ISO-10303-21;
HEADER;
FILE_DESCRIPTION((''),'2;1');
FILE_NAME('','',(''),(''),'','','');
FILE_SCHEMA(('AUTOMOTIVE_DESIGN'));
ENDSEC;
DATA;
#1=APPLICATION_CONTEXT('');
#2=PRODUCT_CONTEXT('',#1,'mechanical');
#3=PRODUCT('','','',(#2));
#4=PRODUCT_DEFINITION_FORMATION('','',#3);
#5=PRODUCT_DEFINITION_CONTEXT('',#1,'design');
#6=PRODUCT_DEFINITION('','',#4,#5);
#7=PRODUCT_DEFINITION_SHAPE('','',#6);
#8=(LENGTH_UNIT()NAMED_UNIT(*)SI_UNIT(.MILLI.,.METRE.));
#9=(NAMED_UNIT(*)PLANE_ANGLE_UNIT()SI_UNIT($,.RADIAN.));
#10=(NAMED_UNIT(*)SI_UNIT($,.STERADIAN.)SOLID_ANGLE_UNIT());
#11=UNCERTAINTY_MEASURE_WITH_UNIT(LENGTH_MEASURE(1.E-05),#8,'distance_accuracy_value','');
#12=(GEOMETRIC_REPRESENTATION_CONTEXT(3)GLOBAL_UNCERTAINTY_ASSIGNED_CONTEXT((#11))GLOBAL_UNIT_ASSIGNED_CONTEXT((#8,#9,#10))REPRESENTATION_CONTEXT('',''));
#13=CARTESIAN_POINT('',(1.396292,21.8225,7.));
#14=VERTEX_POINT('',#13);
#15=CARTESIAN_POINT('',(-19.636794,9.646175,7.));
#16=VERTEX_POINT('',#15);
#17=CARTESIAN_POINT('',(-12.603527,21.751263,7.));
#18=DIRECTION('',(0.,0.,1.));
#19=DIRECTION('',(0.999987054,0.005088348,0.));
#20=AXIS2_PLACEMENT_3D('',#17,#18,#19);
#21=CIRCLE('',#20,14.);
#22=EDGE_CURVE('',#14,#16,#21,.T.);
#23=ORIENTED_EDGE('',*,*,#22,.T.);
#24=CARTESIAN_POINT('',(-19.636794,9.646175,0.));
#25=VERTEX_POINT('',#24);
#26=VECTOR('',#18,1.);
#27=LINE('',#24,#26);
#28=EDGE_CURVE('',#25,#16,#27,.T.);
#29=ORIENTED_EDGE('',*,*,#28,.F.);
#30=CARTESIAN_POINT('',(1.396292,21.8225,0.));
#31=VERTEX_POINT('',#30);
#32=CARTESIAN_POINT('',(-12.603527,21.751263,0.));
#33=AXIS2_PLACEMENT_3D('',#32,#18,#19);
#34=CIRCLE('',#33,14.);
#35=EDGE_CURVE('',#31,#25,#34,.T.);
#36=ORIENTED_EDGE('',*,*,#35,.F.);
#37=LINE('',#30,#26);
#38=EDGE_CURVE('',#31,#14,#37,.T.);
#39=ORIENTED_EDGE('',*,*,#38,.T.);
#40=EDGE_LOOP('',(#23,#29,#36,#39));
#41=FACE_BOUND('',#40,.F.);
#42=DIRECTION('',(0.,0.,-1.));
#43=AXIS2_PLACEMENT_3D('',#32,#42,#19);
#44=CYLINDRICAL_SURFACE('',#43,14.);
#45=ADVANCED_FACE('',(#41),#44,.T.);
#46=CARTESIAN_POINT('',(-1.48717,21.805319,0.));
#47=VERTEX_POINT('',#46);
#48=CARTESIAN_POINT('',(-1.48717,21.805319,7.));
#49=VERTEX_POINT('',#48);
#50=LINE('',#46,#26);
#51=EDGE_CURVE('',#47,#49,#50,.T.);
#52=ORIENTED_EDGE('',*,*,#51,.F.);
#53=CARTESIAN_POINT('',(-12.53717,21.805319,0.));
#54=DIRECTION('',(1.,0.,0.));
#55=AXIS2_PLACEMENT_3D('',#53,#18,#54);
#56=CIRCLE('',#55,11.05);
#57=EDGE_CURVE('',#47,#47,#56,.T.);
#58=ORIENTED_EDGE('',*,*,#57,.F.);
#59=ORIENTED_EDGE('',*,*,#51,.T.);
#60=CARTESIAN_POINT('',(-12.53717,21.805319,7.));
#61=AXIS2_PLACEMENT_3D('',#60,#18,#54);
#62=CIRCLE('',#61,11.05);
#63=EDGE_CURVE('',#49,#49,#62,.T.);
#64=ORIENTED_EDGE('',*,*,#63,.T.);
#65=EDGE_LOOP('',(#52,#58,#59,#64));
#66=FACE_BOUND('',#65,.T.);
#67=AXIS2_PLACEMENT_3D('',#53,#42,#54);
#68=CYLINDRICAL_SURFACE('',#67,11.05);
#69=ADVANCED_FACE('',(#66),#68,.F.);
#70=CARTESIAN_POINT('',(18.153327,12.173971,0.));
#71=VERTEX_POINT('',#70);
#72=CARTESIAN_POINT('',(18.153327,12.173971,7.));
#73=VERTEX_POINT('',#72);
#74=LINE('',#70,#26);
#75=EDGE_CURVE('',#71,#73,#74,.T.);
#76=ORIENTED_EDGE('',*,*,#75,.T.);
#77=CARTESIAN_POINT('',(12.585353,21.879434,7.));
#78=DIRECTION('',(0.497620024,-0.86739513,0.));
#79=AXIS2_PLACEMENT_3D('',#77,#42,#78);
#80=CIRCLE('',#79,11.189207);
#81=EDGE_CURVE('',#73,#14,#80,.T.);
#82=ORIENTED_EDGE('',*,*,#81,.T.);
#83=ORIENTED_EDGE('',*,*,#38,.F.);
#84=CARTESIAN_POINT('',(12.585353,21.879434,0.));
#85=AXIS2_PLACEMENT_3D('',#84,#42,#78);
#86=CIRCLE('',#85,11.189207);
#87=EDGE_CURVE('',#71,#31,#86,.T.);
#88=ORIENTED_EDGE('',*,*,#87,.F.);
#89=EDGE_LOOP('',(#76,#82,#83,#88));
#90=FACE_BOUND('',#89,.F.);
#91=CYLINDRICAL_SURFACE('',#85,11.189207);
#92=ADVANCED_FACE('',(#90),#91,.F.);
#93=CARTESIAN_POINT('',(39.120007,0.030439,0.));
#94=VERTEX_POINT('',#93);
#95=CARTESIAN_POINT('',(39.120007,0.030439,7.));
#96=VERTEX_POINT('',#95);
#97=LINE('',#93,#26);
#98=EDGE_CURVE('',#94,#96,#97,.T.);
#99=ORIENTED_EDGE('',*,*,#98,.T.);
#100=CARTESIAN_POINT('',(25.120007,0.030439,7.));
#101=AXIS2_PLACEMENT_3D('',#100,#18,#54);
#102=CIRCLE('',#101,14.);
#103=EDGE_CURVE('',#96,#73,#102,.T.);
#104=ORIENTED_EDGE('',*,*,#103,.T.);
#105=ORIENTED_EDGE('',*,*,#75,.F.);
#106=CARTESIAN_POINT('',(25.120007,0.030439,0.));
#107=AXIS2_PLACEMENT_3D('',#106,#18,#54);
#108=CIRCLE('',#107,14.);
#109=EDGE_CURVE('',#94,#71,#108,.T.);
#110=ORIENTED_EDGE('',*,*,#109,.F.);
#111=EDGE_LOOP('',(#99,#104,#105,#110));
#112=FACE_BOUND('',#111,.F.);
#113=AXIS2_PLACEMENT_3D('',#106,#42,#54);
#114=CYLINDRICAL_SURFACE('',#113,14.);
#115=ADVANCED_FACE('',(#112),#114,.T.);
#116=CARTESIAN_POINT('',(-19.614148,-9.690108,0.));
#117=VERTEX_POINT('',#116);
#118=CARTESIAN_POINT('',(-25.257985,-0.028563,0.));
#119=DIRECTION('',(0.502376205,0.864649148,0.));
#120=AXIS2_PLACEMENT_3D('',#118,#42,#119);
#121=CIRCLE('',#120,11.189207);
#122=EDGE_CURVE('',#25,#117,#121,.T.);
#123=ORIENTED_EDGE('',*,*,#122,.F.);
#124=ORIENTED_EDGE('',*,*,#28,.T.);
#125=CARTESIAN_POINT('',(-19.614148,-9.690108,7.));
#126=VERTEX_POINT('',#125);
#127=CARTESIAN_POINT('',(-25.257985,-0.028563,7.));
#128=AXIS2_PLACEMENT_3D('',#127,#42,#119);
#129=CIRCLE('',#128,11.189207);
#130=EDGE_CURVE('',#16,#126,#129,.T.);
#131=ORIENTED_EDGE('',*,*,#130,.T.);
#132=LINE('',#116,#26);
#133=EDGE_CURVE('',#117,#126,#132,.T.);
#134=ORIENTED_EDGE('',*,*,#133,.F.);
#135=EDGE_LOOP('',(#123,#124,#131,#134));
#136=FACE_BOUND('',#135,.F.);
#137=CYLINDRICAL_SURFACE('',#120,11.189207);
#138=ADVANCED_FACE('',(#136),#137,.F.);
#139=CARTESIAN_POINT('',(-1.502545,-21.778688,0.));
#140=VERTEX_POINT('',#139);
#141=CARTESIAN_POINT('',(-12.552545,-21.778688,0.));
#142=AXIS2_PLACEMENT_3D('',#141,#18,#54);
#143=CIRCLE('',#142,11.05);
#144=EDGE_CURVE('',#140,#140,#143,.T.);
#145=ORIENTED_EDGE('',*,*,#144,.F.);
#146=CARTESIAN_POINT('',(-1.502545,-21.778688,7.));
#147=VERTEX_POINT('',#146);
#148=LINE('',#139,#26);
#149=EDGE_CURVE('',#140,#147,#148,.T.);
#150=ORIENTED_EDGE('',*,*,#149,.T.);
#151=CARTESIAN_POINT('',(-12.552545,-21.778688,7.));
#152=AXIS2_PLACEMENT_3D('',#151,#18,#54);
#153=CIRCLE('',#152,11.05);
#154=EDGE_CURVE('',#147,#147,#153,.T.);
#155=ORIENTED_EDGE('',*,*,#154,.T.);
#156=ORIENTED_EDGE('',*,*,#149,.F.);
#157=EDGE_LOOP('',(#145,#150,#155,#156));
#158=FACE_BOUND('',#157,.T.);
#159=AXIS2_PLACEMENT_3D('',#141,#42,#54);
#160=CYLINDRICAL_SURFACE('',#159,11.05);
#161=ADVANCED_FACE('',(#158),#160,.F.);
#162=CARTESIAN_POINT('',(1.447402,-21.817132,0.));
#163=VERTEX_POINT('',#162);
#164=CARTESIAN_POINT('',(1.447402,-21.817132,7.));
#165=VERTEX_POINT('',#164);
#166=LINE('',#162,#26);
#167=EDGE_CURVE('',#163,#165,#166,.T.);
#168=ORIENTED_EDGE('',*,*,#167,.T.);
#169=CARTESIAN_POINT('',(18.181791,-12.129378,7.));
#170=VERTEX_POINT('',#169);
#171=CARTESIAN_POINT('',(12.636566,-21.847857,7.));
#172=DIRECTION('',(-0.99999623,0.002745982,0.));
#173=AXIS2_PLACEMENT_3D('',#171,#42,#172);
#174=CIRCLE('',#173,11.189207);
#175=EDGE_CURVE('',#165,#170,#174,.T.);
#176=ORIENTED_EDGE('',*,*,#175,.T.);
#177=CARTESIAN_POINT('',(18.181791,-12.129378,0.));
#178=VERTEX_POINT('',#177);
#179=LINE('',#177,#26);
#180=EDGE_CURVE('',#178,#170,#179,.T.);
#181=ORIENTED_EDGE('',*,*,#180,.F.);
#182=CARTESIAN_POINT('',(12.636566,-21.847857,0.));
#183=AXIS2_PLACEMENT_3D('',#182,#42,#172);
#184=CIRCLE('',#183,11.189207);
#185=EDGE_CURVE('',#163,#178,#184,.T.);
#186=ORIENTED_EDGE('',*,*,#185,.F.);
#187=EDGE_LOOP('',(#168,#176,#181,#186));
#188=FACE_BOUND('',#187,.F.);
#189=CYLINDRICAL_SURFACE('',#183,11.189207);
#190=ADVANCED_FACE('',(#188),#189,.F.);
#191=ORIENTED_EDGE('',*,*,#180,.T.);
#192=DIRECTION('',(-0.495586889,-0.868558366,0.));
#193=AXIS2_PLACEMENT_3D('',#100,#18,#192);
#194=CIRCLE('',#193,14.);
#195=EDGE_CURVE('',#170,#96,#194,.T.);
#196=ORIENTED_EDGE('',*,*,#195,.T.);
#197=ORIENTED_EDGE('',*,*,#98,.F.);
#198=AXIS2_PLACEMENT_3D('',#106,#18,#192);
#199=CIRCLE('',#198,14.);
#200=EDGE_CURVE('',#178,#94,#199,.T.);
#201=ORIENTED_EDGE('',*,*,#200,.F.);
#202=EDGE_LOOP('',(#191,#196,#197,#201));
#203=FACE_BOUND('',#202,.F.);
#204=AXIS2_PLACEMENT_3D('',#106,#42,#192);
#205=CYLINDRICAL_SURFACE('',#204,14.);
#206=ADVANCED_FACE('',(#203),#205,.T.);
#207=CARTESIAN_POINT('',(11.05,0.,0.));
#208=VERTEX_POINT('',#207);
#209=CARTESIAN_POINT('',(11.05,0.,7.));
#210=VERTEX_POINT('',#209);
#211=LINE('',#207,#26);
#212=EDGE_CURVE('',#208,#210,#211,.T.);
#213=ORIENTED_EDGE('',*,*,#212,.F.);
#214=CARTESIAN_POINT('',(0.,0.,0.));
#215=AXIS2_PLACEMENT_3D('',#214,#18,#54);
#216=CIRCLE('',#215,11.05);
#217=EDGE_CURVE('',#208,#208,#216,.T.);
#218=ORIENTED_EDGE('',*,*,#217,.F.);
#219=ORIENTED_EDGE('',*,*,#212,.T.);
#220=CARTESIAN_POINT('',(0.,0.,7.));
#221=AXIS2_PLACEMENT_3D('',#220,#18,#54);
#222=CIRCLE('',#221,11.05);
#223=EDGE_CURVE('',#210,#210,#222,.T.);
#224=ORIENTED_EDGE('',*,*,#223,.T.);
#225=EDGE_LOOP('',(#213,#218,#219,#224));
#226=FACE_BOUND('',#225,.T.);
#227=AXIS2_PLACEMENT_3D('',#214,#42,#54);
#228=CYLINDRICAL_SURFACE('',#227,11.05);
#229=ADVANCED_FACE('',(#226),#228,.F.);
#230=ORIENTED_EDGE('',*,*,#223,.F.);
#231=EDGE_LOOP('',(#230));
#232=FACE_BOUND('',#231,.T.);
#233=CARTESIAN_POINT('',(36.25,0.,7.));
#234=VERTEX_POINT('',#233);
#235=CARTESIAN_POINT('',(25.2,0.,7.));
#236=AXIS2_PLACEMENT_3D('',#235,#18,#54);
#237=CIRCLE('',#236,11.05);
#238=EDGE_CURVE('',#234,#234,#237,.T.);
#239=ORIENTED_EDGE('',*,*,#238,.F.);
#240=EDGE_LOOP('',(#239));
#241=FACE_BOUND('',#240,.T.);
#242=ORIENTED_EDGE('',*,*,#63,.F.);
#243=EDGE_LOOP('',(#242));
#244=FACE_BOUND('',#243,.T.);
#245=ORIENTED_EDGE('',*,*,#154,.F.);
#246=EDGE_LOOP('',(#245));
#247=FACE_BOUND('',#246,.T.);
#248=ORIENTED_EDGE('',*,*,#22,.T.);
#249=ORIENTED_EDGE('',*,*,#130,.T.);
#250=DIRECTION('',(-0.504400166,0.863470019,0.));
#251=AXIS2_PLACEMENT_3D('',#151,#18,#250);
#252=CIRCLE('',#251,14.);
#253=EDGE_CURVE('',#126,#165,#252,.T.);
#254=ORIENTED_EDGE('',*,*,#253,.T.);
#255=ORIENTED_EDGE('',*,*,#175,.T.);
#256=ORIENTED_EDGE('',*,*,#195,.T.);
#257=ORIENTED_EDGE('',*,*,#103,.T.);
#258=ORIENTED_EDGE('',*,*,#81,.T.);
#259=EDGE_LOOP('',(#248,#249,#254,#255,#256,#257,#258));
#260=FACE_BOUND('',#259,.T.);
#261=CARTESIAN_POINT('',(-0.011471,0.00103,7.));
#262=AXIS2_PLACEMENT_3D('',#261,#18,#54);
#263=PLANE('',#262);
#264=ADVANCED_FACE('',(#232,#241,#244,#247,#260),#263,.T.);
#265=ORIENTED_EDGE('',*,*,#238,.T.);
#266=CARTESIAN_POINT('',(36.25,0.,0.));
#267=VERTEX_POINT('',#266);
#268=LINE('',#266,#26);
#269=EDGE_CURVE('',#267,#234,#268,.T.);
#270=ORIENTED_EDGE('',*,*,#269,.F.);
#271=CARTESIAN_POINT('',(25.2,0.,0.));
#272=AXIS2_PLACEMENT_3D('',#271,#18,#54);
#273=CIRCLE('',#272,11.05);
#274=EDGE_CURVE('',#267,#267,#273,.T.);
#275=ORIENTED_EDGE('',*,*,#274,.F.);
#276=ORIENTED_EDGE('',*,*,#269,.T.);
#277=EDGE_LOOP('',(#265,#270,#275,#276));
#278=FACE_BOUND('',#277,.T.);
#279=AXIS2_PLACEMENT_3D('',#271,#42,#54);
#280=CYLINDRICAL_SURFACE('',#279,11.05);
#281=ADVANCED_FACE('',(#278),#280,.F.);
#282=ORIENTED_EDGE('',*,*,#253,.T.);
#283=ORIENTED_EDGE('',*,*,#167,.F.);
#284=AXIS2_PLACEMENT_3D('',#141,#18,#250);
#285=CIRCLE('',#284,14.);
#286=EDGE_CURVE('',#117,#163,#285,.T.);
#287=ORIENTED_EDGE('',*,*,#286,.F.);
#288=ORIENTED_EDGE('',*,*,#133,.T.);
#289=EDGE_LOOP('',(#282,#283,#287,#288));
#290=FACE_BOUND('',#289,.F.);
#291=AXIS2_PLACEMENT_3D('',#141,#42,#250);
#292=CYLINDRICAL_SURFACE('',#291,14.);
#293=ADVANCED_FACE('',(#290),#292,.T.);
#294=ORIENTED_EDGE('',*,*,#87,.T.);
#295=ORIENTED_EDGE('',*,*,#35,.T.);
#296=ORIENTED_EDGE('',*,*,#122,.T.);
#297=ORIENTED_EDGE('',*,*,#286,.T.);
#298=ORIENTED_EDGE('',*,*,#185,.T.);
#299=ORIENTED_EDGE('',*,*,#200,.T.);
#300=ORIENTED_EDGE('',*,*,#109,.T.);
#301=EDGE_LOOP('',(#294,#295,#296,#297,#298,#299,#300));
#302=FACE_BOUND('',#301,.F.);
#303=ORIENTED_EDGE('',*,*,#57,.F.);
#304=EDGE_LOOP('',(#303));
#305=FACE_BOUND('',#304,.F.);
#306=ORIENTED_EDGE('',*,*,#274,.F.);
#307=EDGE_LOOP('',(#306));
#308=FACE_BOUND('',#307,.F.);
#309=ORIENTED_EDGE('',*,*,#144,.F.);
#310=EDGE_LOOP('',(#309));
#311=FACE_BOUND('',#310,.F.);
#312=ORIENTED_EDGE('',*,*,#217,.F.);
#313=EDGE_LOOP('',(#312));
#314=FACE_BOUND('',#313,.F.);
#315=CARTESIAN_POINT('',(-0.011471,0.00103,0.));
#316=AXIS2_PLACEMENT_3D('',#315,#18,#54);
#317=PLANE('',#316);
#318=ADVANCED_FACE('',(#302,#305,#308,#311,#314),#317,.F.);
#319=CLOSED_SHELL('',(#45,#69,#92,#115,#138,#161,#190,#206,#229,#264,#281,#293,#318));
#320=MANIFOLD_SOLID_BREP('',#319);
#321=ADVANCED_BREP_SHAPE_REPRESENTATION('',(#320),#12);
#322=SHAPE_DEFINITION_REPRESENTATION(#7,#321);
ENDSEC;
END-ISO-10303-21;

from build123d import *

# Parameters (mm, degrees)
F0_R     = 11.05
F0_R_2   = 12.05
F1_DEPTH = 7


with BuildPart() as f1:
    # F0 (on Top) → F1 (new body)
    with BuildSketch(Plane.XY):
        with BuildLine():
            ThreePointArc((-19.6141475717, -9.6901079415), (-5.583414478, -9.636562514), (1.4474547455, -21.7786882019))
            ThreePointArc((1.4474547455, -21.7786882019), (1.4474415497, -21.7979100961), (1.4474019625, -21.8171319541))
            ThreePointArc((1.4474019625, -21.8171319541), (7.0306179664, -12.1642790473), (18.1817906454, -12.1293782071))
            ThreePointArc((18.1817906454, -12.1293782071), (11.1200166899, 0.0140422376), (18.1533267456, 12.1739707389))
            ThreePointArc((18.1533267456, 12.1739707389), (7.0021029073, 12.1827511798), (1.3962915536, 21.8224995817))
            ThreePointArc((1.3962915536, 21.8224995817), (1.3964274836, 21.786881263), (1.3964727937, 21.7512627137))
            ThreePointArc((1.3964727937, 21.7512627137), (-5.6201804529, 9.6173075415), (-19.6367940808, 9.6461746483))
            ThreePointArc((-19.6367940808, 9.6461746483), (-14.0687862465, -0.0154586993), (-19.6141475717, -9.6901079415))
        make_face()
        Circle(F0_R, mode=Mode.SUBTRACT)
        with BuildLine():
            ThreePointArc((1.3962915536, 21.8224995817), (-19.61772235, 33.8674117094), (-19.6367940808, 9.6461746483))
            ThreePointArc((-19.6367940808, 9.6461746483), (-5.6201804529, 9.6173075415), (1.3964727937, 21.7512627137))
            ThreePointArc((1.3964727937, 21.7512627137), (1.3964274836, 21.786881263), (1.3962915536, 21.8224995817))
        make_face()
        with Locations((-12.5371698712, 21.8053191469)):
            Circle(F0_R_2, mode=Mode.SUBTRACT)
        with BuildLine():
            ThreePointArc((1.4474019625, -21.8171319541), (1.4474415497, -21.7979100961), (1.4474547455, -21.7786882019))
            ThreePointArc((1.4474547455, -21.7786882019), (-5.583414478, -9.636562514), (-19.6141475717, -9.6901079415))
            ThreePointArc((-19.6141475717, -9.6901079415), (-19.538340509, -33.9112338813), (1.4474019625, -21.8171319541))
        make_face()
        with Locations((-12.5525452545, -21.7786882019)):
            Circle(F0_R_2, mode=Mode.SUBTRACT)
        with BuildLine():
            ThreePointArc((18.1533267456, 12.1739707389), (11.1200166899, 0.0140422376), (18.1817906454, -12.1293782071))
            ThreePointArc((18.1817906454, -12.1293782071), (32.1508310015, -12.0760682174), (39.1200070881, 0.0304389213))
            ThreePointArc((39.1200070881, 0.0304389213), (32.1366471389, 12.1451721993), (18.1533267456, 12.1739707389))
        make_face()
        with Locations((25.2, 0)):
            Circle(F0_R_2, mode=Mode.SUBTRACT)
        with Locations((-12.5371698712, 21.8053191469)):
            Circle(F0_R_2)
        with Locations((-12.5371698712, 21.8053191469)):
            Circle(F0_R, mode=Mode.SUBTRACT)
        with Locations((-12.5525452545, -21.7786882019)):
            Circle(F0_R_2)
        with Locations((-12.5525452545, -21.7786882019)):
            Circle(F0_R, mode=Mode.SUBTRACT)
        with Locations((25.2, 0)):
            Circle(F0_R_2)
        with Locations((25.2, 0)):
            Circle(F0_R, mode=Mode.SUBTRACT)
    extrude(amount=F1_DEPTH)


solid = f1.part
